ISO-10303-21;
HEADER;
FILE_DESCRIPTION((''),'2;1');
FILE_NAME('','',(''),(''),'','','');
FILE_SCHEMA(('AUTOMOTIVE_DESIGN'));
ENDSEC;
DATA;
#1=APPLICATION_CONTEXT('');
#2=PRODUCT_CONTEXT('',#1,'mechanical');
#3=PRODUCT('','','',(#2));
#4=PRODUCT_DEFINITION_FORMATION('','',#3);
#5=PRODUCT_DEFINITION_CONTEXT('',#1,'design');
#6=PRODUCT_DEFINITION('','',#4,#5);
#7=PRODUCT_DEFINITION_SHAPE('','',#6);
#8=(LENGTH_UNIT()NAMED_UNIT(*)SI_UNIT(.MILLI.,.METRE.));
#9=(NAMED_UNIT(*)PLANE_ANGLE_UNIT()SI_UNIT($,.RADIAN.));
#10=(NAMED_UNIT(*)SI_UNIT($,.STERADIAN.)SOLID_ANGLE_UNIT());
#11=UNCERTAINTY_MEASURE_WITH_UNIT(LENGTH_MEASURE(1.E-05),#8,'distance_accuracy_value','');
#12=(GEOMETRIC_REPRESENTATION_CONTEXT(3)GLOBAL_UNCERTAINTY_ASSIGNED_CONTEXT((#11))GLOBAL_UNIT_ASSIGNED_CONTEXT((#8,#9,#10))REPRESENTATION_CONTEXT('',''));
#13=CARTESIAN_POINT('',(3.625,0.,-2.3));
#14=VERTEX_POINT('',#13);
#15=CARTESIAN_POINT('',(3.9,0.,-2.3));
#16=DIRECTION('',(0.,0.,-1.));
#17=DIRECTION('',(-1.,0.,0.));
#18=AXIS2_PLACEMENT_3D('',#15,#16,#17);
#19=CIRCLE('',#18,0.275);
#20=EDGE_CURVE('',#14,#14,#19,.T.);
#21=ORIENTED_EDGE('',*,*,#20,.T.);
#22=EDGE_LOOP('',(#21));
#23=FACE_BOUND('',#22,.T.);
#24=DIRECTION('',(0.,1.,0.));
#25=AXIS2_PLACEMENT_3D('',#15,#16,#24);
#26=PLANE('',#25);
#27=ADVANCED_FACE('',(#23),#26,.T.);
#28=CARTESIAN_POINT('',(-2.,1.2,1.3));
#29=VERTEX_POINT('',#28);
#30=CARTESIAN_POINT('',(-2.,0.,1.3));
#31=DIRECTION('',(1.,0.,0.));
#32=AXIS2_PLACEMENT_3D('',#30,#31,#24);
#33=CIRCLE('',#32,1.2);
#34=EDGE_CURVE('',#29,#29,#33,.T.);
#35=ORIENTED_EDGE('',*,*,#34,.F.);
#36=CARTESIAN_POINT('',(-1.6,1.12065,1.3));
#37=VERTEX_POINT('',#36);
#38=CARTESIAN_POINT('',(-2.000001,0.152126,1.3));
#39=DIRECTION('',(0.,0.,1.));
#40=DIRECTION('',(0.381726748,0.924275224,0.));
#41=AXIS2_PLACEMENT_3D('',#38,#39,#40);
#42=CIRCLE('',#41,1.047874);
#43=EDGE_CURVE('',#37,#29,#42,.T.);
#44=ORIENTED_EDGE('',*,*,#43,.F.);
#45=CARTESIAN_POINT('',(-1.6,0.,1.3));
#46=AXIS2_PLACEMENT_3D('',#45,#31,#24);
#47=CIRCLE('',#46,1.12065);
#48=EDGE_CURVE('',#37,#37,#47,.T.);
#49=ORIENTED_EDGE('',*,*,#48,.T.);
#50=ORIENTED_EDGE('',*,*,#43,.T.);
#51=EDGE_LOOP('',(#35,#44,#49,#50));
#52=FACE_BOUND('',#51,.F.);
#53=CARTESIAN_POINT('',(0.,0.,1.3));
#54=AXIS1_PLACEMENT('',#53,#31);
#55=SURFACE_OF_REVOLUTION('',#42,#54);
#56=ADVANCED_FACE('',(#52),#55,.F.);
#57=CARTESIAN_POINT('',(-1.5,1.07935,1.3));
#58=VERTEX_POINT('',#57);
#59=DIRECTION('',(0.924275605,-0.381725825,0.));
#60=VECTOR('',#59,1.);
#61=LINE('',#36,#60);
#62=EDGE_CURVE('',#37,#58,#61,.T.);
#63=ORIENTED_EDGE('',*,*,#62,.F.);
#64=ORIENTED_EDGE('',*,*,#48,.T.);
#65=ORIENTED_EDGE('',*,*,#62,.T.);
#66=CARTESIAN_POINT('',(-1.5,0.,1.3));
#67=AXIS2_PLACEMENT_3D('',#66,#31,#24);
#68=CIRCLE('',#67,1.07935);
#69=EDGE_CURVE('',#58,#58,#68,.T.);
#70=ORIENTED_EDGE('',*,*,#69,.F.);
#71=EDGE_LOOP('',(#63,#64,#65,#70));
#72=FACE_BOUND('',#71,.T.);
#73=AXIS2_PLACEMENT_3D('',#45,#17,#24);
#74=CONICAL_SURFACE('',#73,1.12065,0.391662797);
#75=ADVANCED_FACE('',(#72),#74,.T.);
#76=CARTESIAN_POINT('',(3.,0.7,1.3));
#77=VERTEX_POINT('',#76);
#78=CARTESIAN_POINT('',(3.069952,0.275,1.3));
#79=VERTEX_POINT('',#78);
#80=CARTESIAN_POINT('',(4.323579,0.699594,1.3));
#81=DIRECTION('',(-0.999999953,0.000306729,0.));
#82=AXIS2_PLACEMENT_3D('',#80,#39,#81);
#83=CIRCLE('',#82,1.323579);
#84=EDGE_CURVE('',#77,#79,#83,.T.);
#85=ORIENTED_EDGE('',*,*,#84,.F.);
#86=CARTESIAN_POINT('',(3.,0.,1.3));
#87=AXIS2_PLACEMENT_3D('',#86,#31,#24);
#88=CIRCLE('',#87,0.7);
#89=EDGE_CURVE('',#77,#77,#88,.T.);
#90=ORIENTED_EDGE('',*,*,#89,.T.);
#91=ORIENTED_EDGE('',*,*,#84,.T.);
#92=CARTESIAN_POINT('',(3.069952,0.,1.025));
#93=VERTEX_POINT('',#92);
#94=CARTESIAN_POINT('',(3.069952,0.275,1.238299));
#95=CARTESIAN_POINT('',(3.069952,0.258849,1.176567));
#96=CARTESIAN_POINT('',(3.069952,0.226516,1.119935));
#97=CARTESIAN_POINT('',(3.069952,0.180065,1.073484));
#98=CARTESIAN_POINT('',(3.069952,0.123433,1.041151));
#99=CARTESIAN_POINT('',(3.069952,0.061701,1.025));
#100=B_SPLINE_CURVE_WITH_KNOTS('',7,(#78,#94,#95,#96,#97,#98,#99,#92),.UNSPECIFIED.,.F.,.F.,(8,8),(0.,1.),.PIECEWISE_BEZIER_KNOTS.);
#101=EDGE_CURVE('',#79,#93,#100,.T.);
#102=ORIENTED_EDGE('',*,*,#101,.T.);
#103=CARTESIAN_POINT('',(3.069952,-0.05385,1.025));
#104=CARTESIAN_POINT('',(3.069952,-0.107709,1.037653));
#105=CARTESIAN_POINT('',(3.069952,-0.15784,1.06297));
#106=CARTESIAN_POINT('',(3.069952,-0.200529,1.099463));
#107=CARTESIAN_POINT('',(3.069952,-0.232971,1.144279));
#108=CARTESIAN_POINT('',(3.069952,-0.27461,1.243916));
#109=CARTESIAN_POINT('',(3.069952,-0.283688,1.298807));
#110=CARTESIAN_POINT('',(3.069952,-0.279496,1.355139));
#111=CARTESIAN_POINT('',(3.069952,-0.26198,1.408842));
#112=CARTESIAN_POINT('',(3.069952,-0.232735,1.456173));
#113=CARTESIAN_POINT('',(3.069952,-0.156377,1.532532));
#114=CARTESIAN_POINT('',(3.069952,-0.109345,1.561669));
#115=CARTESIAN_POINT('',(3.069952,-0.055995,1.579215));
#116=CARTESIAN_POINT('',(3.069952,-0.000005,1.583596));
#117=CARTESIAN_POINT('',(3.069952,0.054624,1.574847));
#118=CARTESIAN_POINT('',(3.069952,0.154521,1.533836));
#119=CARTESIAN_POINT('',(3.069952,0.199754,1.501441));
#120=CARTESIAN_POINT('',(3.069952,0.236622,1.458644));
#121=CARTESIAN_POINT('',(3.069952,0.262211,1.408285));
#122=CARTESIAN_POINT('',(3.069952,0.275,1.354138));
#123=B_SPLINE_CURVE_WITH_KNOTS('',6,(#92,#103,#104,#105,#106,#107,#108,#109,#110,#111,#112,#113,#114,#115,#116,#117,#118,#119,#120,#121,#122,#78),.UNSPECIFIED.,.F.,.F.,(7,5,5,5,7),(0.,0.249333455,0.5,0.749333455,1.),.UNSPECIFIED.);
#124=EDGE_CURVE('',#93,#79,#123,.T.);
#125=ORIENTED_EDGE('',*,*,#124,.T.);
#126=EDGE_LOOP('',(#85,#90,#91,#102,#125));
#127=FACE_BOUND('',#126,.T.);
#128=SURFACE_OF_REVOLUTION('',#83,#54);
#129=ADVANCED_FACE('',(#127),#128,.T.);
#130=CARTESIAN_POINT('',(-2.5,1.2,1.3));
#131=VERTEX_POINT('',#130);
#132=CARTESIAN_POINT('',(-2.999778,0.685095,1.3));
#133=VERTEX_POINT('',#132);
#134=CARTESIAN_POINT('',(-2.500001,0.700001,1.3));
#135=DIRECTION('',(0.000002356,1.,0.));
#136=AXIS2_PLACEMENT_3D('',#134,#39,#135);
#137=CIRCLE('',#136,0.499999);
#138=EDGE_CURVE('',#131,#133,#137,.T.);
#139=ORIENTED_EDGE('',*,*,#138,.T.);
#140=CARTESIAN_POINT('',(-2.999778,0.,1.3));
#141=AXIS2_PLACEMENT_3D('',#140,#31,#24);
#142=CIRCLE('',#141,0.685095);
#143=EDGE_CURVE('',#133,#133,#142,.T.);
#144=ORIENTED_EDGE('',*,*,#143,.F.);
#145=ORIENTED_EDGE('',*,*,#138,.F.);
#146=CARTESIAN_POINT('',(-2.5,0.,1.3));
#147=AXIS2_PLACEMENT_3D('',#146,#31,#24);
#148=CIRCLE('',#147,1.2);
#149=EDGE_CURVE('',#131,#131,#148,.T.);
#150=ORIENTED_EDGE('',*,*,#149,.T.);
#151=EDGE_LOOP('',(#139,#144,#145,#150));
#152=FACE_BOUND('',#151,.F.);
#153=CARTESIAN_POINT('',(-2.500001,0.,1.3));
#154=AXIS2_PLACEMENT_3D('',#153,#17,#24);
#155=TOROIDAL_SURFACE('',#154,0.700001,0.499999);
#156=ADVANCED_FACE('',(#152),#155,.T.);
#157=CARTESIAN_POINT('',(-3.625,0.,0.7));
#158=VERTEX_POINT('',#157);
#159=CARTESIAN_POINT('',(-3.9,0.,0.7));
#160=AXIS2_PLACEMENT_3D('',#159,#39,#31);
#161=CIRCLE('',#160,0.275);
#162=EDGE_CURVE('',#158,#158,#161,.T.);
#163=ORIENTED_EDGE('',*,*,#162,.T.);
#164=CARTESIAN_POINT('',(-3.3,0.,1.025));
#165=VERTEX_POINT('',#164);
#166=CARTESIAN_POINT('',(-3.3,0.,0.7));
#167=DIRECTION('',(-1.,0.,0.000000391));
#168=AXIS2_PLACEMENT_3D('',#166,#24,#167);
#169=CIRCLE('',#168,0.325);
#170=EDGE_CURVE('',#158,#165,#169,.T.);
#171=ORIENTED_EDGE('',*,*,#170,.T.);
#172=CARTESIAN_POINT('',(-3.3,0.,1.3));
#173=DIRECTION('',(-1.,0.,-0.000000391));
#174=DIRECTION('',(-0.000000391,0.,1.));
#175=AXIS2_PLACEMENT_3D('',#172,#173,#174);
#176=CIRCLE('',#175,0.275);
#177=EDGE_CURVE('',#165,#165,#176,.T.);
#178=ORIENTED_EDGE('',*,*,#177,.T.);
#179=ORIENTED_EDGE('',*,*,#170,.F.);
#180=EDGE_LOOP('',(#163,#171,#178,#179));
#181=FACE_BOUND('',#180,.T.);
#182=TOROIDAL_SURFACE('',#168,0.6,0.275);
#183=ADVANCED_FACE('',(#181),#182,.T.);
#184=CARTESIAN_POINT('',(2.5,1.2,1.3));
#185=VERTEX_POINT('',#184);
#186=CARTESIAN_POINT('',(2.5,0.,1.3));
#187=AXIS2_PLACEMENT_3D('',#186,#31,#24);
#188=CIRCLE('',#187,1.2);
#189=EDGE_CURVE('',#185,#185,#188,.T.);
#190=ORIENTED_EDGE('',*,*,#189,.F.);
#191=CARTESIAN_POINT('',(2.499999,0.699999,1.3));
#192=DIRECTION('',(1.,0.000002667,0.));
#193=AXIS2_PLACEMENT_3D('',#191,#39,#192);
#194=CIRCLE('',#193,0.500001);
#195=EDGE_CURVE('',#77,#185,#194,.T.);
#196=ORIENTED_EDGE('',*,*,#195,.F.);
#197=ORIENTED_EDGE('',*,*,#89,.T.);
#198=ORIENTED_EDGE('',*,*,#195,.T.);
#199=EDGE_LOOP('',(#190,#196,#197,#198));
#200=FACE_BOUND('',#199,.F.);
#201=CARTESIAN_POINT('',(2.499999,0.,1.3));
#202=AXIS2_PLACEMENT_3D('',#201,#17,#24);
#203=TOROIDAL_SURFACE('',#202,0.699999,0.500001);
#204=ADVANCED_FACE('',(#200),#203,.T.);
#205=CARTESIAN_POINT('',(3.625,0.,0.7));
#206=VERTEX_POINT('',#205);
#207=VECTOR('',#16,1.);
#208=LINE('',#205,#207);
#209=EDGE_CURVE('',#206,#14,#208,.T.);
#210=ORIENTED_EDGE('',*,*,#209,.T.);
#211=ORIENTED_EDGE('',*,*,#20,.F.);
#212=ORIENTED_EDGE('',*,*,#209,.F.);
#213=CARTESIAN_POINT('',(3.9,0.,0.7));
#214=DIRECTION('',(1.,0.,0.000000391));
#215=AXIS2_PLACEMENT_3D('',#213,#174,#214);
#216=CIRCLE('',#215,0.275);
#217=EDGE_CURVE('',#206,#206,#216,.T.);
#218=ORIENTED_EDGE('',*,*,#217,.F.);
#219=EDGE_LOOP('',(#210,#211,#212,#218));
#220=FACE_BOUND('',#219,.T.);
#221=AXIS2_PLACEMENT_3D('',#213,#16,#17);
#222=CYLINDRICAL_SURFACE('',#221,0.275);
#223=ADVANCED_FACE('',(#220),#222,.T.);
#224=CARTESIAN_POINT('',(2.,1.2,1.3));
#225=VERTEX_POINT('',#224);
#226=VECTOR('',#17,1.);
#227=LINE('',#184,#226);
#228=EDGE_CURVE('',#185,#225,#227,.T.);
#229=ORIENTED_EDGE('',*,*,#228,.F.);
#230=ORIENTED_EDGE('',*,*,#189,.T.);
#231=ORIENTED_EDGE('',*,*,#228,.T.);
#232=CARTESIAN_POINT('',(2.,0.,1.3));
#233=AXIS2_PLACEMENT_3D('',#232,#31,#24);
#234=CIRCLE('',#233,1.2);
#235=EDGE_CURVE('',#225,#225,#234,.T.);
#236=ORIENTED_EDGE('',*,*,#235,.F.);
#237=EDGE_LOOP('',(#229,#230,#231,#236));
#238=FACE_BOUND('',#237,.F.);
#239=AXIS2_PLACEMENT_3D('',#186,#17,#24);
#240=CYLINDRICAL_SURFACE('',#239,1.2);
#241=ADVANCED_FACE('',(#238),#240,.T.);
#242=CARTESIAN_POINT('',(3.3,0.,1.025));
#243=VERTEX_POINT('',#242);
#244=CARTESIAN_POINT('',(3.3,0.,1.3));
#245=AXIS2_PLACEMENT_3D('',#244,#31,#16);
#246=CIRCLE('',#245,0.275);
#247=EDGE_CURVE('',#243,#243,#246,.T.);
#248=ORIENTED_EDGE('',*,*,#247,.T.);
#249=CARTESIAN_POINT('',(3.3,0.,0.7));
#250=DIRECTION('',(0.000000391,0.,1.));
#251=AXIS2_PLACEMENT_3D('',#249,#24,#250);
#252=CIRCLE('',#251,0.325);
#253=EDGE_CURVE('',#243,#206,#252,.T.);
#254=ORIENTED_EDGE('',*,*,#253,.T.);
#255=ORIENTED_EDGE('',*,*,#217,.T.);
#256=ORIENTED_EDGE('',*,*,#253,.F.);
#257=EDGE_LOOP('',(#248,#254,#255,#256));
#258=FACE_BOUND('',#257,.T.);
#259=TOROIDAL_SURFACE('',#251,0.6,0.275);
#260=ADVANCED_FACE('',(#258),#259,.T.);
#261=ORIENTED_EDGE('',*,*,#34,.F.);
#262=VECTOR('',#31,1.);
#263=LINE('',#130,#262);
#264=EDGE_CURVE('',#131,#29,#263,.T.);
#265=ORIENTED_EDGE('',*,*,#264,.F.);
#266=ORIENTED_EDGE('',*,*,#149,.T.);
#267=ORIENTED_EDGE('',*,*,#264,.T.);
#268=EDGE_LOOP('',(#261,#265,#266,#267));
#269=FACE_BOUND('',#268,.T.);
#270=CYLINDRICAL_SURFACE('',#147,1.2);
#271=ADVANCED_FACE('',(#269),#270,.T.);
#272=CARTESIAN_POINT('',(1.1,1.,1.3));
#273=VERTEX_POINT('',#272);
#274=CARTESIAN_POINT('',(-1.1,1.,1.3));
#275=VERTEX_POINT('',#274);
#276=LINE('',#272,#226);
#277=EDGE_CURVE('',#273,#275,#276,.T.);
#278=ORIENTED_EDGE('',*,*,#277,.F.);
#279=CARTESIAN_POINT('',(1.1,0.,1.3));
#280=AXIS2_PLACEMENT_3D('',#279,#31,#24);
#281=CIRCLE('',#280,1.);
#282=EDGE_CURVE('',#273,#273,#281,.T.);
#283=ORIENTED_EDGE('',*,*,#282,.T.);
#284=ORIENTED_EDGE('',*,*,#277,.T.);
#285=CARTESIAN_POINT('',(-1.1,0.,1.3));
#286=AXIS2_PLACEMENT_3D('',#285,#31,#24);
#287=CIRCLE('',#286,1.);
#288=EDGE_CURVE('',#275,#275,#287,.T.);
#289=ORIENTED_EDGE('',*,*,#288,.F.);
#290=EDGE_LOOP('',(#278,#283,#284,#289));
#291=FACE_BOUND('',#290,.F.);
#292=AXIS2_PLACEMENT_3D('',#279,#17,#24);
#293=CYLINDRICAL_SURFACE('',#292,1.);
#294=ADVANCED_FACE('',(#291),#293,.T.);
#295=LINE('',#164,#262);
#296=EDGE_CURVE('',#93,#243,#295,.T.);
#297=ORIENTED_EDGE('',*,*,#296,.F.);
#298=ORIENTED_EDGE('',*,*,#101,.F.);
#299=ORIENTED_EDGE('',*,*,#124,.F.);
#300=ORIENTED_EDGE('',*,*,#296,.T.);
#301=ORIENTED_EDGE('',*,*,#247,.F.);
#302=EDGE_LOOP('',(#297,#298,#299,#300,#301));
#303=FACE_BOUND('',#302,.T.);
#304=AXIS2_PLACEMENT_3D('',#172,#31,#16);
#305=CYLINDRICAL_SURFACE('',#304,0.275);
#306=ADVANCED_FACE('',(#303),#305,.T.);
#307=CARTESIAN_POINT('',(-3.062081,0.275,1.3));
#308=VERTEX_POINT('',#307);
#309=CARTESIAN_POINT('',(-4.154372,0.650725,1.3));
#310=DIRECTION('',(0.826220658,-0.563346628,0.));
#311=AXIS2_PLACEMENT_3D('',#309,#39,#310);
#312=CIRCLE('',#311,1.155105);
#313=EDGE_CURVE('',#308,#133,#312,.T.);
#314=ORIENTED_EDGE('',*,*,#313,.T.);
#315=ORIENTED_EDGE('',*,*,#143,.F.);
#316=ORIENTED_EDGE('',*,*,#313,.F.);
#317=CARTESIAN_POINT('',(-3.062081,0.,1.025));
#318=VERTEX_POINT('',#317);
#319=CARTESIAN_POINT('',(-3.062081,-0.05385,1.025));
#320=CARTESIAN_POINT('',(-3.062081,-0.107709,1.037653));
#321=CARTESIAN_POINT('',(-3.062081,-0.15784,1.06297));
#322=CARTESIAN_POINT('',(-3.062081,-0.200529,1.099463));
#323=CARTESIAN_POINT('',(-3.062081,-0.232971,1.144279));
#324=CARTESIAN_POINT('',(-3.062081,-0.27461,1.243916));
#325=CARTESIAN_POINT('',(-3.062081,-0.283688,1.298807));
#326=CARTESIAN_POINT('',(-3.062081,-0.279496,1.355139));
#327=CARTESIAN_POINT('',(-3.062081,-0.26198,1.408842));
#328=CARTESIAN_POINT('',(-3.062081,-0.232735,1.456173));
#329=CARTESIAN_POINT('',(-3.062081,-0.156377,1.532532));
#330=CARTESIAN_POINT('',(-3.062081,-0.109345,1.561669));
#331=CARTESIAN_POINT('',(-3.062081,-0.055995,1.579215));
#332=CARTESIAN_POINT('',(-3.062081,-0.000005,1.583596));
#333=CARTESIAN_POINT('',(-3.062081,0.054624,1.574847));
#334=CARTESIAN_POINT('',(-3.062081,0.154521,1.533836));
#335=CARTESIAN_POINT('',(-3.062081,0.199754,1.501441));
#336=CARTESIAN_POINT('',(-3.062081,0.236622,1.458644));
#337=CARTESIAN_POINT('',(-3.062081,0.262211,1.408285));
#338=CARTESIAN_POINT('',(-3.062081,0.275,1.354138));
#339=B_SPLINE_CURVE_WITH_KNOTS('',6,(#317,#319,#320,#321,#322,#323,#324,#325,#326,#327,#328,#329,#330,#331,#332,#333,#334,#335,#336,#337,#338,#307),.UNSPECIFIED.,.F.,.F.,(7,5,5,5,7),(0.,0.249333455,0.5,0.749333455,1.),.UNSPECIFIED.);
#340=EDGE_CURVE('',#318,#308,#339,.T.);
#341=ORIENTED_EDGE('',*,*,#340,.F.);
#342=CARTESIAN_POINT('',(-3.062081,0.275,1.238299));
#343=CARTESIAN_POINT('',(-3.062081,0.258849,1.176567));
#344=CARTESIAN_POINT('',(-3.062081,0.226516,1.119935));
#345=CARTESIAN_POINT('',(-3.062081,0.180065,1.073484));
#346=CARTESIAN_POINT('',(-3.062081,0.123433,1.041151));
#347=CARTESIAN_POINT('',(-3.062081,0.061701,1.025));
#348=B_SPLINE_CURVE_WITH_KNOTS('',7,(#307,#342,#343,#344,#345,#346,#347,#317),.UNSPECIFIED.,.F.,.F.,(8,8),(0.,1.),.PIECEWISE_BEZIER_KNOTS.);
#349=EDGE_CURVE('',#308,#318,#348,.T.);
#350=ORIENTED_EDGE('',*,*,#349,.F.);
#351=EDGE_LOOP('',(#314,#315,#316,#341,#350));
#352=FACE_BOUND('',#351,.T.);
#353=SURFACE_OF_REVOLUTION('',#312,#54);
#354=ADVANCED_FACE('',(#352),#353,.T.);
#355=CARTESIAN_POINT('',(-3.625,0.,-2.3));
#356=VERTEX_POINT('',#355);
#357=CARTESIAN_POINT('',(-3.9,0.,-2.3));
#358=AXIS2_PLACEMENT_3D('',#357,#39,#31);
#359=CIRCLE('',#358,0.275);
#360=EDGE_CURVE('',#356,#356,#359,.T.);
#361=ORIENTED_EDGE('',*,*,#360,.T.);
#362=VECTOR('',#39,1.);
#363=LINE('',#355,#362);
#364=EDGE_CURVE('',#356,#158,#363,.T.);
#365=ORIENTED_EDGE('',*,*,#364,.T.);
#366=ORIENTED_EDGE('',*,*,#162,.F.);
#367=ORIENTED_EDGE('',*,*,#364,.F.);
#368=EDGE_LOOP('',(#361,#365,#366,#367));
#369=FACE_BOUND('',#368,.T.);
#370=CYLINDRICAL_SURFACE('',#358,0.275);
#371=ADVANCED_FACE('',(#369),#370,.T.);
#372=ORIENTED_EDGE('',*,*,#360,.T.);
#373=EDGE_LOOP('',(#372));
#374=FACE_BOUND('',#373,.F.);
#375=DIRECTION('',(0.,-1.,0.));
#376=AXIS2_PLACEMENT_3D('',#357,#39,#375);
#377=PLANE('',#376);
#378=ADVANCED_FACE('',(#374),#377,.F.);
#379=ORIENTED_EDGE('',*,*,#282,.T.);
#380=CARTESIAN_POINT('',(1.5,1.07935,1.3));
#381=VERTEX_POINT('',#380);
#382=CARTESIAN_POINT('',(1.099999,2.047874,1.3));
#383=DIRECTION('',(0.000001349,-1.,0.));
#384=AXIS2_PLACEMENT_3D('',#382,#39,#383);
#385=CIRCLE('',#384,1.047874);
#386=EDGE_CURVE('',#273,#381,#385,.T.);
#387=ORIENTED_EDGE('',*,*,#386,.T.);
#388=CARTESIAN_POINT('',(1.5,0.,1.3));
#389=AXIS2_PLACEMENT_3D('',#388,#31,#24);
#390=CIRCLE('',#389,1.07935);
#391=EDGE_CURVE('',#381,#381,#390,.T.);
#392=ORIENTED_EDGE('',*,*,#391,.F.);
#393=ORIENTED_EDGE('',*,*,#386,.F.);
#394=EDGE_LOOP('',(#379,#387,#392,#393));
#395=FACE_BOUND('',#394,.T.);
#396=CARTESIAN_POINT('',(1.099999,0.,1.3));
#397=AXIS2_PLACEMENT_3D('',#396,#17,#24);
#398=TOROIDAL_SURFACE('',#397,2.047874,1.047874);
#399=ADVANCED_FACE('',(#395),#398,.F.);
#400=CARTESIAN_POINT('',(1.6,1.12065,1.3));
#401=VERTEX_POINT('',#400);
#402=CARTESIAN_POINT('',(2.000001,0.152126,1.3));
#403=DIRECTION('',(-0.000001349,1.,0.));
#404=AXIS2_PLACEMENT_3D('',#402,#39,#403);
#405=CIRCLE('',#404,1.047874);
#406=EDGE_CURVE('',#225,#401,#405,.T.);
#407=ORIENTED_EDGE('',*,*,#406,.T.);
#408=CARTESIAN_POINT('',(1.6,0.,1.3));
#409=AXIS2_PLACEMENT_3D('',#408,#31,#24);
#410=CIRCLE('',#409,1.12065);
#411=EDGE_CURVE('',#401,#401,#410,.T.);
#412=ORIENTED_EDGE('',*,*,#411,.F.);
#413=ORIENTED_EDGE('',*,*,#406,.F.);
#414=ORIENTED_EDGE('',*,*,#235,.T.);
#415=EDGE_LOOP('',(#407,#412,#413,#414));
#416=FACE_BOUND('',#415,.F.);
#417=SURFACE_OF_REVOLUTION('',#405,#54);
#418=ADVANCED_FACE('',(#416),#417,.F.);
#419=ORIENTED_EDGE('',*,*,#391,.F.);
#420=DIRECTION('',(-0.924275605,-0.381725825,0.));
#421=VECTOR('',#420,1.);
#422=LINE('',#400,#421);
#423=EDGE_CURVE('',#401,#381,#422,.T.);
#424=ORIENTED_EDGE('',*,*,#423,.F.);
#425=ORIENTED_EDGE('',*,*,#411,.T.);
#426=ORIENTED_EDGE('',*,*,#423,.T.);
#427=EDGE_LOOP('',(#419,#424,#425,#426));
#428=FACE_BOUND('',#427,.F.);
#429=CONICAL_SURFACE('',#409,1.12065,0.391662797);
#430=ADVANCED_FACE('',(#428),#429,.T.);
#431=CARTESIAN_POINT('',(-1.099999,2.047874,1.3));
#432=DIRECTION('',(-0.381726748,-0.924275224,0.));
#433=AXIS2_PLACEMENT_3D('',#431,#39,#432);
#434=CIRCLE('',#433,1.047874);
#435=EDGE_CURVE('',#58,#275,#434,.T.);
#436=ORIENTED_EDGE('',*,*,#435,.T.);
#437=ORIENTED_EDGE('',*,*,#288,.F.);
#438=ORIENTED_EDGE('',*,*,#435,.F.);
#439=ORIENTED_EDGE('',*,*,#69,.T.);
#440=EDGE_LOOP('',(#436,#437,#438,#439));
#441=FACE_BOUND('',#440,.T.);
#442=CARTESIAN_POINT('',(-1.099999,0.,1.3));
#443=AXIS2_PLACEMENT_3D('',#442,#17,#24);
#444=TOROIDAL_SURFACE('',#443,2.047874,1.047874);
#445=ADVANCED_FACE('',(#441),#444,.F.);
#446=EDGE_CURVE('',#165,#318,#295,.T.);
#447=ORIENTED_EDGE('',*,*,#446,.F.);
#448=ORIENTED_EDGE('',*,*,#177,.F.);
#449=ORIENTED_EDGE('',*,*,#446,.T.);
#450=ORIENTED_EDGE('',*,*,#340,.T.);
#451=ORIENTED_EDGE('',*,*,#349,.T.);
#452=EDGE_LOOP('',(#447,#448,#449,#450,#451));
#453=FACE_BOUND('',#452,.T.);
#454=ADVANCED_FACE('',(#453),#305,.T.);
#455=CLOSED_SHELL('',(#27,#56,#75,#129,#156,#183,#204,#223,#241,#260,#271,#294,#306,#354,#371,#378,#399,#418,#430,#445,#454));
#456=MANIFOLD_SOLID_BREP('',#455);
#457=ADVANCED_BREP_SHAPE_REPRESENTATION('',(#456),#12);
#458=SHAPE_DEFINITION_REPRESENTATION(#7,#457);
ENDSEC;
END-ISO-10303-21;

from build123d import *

# Parameters (mm, degrees)
REVOLVE_ONTO_SKETCH002_ROLL_ANGLE = 90
REVOLVE_ROLL_ANGLE                = -90
SKETCH001_R                       = 0.275
SWEEP_ROLL_ANGLE                  = -90


with BuildPart() as revolve_body:
    # Sketch002 as drawn → Revolve (revolve)
    with BuildSketch(Plane.XY):
        with BuildLine():
            Line((-2.5, 1.2), (-2, 1.2))
            ThreePointArc((-1.6, 1.12065), (-1.796103, 1.179971), (-2, 1.2))
            Line((-1.6, 1.12065), (-1.5, 1.07935))
            ThreePointArc((-1.5, 1.07935), (-1.303897, 1.020029), (-1.1, 1))
            Line((1.1, 1), (-1.1, 1))
            ThreePointArc((1.1, 1), (1.303897, 1.020029), (1.5, 1.07935))
            Line((1.6, 1.12065), (1.5, 1.07935))
            ThreePointArc((2, 1.2), (1.796103, 1.179971), (1.6, 1.12065))
            Line((2.5, 1.2), (2, 1.2))
            ThreePointArc((3, 0.7), (2.853553, 1.053553), (2.5, 1.2))
            ThreePointArc((3, 0.7), (3.050926, 0.335979), (3.2, 0))
            Line((3.2, 0), (-3.2, 0))
            ThreePointArc((-3.2, 0), (-3.045646, 0.326695), (-2.999778, 0.685095))
            ThreePointArc((-2.5, 1.2), (-2.858785, 1.048244), (-2.999778, 0.685095))
        make_face()
    revolve(axis=Axis((0, 0, 0), (1, 0, 0)))


with BuildPart() as revolve_body_1:
    # Revolve onto Sketch002 roll: moved
    add(revolve_body.part.rotate(Axis((0, 0, 0), (1, 0, 0)), REVOLVE_ONTO_SKETCH002_ROLL_ANGLE))


with BuildPart() as revolve_body_2:
    # Revolve onto Sketch002 placement: moved
    add(revolve_body_1.part)


with BuildPart() as revolve_body_3:
    # Revolve roll: moved
    add(revolve_body_2.part.rotate(Axis((0, 0, 0), (1, 0, 0)), REVOLVE_ROLL_ANGLE))


with BuildPart() as revolve_body_4:
    # Revolve placement: moved
    add(revolve_body_3.part.moved(Location((0, 0, 1.3))))


with BuildPart() as resistor:
    # Sweep: sweep along a path in Sketch
    with BuildLine(Plane.XY) as sweep_path:
        Line((-3.9, 3.6), (-3.9, 0.6))
        ThreePointArc((-3.9, 0.6), (-3.724264, 0.175736), (-3.3, 0))
        Line((-3.3, 0), (3.3, 0))
        ThreePointArc((3.3, 0), (3.724264, 0.175736), (3.9, 0.6))
        Line((3.9, 0.6), (3.9, 3.6))
    # Sketch001 → Sweep (sweep)
    with BuildSketch(Plane.YZ):
        Circle(SKETCH001_R)
    sweep(path=sweep_path.line)


with BuildPart() as resistor_1:
    # Sweep roll: moved
    add(resistor.part.rotate(Axis((0, 0, 0), (1, 0, 0)), SWEEP_ROLL_ANGLE))


with BuildPart() as resistor_2:
    # Sweep placement: moved
    add(resistor_1.part.moved(Location((0, 0, 1.3))))

    # Fusion: union Revolve body
    add(revolve_body_4.part)


solid = resistor_2.part
